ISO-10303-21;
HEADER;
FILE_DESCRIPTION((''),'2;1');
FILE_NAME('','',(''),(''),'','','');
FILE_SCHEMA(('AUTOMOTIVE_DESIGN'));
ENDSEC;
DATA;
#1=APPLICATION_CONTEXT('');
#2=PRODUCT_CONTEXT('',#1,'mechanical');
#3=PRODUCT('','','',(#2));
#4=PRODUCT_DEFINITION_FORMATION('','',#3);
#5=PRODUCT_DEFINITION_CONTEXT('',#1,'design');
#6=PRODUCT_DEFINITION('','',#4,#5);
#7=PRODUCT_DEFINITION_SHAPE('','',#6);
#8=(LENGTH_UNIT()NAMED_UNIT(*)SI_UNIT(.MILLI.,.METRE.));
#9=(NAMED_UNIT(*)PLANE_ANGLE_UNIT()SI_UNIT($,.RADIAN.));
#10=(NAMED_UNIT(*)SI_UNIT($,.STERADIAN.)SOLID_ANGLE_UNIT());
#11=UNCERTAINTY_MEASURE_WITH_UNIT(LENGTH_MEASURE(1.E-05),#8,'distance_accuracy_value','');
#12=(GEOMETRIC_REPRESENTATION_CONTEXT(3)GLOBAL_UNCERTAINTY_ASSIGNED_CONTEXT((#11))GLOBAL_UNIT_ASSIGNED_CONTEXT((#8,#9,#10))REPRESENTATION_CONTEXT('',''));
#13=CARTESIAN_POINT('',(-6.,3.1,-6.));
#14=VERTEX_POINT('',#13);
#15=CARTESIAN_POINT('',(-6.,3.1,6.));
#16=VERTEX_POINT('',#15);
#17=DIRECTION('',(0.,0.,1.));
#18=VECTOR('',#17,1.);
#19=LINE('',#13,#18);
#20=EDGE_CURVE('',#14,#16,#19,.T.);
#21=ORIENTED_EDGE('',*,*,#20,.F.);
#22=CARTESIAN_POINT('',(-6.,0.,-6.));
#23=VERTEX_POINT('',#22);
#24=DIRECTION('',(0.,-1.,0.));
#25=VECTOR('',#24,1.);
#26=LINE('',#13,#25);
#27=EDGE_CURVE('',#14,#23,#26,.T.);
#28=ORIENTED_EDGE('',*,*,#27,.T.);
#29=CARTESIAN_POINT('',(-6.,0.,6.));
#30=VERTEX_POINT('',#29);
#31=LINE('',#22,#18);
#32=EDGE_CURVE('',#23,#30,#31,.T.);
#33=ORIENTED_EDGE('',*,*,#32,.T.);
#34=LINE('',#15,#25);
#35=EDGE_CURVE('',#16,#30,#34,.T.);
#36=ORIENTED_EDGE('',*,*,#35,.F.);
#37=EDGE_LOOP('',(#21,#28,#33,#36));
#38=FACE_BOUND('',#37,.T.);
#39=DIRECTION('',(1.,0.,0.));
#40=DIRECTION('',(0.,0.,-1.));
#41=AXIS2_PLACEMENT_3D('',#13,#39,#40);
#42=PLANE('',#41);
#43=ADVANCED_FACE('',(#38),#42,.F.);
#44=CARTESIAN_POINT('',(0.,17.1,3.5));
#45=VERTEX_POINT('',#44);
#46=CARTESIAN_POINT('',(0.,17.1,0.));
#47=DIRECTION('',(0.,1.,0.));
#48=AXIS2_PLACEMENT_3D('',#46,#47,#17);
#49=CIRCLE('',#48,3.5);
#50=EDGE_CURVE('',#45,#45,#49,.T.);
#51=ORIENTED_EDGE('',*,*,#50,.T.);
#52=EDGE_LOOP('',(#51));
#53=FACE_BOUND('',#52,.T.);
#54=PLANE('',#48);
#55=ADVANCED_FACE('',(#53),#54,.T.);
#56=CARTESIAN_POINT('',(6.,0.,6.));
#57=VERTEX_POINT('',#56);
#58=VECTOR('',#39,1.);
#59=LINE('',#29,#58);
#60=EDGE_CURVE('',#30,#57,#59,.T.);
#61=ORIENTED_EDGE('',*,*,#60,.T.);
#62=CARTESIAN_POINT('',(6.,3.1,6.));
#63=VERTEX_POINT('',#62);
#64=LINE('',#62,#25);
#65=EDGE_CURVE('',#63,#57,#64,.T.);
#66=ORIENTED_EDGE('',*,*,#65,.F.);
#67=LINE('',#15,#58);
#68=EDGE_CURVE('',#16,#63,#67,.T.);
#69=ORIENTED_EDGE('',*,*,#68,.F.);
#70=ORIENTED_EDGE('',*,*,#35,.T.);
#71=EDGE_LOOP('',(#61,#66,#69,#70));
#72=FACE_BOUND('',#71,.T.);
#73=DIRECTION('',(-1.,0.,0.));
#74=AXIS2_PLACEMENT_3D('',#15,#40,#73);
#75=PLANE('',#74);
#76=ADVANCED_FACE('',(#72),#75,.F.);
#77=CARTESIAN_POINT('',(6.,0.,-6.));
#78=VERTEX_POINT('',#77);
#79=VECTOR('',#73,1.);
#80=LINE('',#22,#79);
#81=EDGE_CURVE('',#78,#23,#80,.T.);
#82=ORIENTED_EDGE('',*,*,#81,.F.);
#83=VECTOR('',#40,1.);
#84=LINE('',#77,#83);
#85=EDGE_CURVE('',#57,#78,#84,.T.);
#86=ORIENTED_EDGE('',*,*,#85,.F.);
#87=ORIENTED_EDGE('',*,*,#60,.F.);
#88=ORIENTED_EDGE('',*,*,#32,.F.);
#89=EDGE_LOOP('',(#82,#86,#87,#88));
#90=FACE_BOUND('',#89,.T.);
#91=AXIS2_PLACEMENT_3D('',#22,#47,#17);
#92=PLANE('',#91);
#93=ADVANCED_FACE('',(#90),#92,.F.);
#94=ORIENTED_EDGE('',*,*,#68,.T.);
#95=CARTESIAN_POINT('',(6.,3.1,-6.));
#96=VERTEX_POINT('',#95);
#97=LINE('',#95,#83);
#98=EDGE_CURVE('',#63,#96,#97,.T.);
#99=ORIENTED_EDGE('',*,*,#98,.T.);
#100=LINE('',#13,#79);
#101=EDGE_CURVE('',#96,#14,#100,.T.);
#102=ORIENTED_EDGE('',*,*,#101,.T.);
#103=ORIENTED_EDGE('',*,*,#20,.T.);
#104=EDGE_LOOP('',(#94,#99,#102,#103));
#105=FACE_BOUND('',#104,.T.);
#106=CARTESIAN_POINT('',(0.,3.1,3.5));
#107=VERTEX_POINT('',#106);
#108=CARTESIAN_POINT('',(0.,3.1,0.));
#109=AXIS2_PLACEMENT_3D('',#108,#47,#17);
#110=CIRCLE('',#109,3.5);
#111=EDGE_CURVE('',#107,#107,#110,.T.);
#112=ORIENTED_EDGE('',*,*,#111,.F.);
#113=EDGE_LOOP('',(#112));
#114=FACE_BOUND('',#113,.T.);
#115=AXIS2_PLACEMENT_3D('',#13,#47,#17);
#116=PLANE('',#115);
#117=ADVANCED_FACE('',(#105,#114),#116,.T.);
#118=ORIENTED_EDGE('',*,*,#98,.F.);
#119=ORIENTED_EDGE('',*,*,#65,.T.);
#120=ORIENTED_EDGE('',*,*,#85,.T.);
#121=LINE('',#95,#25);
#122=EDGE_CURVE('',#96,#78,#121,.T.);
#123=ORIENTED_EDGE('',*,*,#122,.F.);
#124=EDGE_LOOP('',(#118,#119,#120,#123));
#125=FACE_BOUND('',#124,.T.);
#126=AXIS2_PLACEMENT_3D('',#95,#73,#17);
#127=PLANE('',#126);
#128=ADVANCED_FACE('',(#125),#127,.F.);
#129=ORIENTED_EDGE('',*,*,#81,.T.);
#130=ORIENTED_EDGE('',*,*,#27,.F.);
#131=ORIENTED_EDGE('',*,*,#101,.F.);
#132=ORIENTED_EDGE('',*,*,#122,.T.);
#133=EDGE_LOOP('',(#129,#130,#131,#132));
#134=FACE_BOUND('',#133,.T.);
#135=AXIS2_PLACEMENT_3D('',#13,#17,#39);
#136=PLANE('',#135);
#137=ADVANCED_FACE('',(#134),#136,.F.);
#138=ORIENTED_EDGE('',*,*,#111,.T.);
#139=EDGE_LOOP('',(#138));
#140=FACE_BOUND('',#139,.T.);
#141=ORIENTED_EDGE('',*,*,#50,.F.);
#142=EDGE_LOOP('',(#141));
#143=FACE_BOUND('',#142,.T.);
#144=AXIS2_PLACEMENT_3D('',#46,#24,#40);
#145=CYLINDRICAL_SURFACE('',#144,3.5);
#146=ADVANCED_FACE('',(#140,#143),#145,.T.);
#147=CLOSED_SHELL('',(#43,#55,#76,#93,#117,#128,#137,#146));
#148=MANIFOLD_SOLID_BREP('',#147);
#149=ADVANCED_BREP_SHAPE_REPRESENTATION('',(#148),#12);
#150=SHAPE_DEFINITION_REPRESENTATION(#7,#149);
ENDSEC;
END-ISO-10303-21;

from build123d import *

# Parameters (mm, degrees)
SKETCH_1_W      = 12
SKETCH_1_H      = 12
EXTRUDE_1_DEPTH = 3.1
SKETCH_2_R      = 3.5
EXTRUDE_2_DEPTH = 14


with BuildPart() as part:
    # 草图1 → 拉伸1 (new body)
    with BuildSketch(Plane(origin=(0, 0, 0), x_dir=(1, 0, 0), z_dir=(0, 1, 0))):
        Rectangle(SKETCH_1_W, SKETCH_1_H)
    extrude(amount=EXTRUDE_1_DEPTH)

    # 草图2 → 拉伸2 (add)
    with BuildSketch(Plane(origin=(0, 3.1, 0), x_dir=(-1, 0, 0), z_dir=(0, 1, 0))):
        with Locations(Location((0, 0, 0), (0, 0, 90))):
            Circle(SKETCH_2_R)
    extrude(amount=EXTRUDE_2_DEPTH)


solid = part.part
